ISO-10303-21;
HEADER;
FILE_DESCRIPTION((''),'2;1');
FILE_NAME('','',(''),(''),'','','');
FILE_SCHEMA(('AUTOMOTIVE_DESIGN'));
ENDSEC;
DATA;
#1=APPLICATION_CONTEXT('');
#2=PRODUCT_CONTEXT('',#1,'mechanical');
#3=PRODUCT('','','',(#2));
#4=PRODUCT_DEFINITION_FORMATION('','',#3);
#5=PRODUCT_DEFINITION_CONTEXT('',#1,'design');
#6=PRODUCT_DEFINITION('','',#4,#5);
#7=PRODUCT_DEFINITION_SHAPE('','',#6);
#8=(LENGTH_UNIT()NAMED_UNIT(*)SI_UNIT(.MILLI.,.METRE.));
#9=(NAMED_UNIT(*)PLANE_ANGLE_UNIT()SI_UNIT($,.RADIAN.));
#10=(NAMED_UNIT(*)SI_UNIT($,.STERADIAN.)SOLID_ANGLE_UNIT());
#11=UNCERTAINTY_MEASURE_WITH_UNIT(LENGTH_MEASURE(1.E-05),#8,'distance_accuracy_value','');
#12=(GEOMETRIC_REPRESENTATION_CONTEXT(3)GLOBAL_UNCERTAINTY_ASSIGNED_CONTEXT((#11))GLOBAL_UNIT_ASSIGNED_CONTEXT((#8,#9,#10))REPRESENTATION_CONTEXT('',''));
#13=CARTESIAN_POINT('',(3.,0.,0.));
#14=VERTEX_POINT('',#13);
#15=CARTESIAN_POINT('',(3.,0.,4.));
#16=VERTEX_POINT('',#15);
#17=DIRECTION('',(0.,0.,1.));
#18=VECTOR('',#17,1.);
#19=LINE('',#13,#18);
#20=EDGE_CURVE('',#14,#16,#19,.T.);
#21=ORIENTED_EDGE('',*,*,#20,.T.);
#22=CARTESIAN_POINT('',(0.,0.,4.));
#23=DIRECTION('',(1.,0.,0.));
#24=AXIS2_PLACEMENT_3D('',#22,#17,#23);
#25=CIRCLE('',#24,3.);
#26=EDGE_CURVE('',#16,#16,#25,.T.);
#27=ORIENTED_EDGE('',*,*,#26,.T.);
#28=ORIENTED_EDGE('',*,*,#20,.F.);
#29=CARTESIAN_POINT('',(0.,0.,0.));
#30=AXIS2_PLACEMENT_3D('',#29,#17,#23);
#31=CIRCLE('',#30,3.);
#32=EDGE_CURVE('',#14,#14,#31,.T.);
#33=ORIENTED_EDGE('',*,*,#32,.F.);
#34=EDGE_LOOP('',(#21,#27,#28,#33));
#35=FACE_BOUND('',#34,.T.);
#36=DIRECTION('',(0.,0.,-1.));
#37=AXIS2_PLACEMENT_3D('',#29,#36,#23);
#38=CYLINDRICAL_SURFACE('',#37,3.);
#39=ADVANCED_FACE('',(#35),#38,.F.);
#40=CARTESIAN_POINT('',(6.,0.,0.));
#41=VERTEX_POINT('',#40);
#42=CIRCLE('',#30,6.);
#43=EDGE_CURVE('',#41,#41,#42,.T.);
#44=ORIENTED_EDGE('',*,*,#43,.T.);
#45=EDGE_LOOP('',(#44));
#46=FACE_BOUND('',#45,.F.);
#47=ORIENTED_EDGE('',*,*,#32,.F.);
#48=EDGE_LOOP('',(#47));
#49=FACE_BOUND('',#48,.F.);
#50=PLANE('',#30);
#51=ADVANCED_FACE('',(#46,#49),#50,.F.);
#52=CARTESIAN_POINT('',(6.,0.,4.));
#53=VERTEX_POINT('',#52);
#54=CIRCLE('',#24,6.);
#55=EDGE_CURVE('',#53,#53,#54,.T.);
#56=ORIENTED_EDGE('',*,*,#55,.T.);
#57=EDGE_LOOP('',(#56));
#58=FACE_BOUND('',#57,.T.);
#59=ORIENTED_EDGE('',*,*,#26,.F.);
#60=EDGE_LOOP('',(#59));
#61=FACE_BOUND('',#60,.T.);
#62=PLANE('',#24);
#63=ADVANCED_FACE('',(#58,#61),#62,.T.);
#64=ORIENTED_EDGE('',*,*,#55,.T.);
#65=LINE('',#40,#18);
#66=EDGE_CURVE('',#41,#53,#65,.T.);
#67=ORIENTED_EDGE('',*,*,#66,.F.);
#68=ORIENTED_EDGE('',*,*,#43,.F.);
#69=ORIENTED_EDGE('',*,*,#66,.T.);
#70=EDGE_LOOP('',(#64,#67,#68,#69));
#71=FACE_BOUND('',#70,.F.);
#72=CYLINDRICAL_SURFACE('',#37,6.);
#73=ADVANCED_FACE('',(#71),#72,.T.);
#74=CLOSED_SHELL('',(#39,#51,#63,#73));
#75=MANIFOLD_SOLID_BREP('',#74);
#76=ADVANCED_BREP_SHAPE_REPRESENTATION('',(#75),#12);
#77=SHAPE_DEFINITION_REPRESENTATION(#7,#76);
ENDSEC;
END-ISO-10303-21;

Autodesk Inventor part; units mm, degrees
ref_plane "YZ Plane" through (0, 0, 0) normal (1, 0, 0) x (0, 1, 0)
ref_plane "XZ Plane" through (0, 0, 0) normal (0, 1, 0) x (-1, 0, 0)
ref_plane "XY Plane" through (0, 0, 0) normal (0, 0, 1) x (1, 0, 0)
sketch "スケッチ1" plane through (0, 0, 0) normal (0, 0, 1) x (1, 0, 0)
  circle A0 centre (0, 0) radius 3
  circle A1 centre (0, 0) radius 6
  dimension "d0" = 6
  dimension "d1" = 12
extrude "押し出し1" add sketch "スケッチ1" along normal blind 4
properties part number "グラントロン" material "アセタール樹脂、黒"
